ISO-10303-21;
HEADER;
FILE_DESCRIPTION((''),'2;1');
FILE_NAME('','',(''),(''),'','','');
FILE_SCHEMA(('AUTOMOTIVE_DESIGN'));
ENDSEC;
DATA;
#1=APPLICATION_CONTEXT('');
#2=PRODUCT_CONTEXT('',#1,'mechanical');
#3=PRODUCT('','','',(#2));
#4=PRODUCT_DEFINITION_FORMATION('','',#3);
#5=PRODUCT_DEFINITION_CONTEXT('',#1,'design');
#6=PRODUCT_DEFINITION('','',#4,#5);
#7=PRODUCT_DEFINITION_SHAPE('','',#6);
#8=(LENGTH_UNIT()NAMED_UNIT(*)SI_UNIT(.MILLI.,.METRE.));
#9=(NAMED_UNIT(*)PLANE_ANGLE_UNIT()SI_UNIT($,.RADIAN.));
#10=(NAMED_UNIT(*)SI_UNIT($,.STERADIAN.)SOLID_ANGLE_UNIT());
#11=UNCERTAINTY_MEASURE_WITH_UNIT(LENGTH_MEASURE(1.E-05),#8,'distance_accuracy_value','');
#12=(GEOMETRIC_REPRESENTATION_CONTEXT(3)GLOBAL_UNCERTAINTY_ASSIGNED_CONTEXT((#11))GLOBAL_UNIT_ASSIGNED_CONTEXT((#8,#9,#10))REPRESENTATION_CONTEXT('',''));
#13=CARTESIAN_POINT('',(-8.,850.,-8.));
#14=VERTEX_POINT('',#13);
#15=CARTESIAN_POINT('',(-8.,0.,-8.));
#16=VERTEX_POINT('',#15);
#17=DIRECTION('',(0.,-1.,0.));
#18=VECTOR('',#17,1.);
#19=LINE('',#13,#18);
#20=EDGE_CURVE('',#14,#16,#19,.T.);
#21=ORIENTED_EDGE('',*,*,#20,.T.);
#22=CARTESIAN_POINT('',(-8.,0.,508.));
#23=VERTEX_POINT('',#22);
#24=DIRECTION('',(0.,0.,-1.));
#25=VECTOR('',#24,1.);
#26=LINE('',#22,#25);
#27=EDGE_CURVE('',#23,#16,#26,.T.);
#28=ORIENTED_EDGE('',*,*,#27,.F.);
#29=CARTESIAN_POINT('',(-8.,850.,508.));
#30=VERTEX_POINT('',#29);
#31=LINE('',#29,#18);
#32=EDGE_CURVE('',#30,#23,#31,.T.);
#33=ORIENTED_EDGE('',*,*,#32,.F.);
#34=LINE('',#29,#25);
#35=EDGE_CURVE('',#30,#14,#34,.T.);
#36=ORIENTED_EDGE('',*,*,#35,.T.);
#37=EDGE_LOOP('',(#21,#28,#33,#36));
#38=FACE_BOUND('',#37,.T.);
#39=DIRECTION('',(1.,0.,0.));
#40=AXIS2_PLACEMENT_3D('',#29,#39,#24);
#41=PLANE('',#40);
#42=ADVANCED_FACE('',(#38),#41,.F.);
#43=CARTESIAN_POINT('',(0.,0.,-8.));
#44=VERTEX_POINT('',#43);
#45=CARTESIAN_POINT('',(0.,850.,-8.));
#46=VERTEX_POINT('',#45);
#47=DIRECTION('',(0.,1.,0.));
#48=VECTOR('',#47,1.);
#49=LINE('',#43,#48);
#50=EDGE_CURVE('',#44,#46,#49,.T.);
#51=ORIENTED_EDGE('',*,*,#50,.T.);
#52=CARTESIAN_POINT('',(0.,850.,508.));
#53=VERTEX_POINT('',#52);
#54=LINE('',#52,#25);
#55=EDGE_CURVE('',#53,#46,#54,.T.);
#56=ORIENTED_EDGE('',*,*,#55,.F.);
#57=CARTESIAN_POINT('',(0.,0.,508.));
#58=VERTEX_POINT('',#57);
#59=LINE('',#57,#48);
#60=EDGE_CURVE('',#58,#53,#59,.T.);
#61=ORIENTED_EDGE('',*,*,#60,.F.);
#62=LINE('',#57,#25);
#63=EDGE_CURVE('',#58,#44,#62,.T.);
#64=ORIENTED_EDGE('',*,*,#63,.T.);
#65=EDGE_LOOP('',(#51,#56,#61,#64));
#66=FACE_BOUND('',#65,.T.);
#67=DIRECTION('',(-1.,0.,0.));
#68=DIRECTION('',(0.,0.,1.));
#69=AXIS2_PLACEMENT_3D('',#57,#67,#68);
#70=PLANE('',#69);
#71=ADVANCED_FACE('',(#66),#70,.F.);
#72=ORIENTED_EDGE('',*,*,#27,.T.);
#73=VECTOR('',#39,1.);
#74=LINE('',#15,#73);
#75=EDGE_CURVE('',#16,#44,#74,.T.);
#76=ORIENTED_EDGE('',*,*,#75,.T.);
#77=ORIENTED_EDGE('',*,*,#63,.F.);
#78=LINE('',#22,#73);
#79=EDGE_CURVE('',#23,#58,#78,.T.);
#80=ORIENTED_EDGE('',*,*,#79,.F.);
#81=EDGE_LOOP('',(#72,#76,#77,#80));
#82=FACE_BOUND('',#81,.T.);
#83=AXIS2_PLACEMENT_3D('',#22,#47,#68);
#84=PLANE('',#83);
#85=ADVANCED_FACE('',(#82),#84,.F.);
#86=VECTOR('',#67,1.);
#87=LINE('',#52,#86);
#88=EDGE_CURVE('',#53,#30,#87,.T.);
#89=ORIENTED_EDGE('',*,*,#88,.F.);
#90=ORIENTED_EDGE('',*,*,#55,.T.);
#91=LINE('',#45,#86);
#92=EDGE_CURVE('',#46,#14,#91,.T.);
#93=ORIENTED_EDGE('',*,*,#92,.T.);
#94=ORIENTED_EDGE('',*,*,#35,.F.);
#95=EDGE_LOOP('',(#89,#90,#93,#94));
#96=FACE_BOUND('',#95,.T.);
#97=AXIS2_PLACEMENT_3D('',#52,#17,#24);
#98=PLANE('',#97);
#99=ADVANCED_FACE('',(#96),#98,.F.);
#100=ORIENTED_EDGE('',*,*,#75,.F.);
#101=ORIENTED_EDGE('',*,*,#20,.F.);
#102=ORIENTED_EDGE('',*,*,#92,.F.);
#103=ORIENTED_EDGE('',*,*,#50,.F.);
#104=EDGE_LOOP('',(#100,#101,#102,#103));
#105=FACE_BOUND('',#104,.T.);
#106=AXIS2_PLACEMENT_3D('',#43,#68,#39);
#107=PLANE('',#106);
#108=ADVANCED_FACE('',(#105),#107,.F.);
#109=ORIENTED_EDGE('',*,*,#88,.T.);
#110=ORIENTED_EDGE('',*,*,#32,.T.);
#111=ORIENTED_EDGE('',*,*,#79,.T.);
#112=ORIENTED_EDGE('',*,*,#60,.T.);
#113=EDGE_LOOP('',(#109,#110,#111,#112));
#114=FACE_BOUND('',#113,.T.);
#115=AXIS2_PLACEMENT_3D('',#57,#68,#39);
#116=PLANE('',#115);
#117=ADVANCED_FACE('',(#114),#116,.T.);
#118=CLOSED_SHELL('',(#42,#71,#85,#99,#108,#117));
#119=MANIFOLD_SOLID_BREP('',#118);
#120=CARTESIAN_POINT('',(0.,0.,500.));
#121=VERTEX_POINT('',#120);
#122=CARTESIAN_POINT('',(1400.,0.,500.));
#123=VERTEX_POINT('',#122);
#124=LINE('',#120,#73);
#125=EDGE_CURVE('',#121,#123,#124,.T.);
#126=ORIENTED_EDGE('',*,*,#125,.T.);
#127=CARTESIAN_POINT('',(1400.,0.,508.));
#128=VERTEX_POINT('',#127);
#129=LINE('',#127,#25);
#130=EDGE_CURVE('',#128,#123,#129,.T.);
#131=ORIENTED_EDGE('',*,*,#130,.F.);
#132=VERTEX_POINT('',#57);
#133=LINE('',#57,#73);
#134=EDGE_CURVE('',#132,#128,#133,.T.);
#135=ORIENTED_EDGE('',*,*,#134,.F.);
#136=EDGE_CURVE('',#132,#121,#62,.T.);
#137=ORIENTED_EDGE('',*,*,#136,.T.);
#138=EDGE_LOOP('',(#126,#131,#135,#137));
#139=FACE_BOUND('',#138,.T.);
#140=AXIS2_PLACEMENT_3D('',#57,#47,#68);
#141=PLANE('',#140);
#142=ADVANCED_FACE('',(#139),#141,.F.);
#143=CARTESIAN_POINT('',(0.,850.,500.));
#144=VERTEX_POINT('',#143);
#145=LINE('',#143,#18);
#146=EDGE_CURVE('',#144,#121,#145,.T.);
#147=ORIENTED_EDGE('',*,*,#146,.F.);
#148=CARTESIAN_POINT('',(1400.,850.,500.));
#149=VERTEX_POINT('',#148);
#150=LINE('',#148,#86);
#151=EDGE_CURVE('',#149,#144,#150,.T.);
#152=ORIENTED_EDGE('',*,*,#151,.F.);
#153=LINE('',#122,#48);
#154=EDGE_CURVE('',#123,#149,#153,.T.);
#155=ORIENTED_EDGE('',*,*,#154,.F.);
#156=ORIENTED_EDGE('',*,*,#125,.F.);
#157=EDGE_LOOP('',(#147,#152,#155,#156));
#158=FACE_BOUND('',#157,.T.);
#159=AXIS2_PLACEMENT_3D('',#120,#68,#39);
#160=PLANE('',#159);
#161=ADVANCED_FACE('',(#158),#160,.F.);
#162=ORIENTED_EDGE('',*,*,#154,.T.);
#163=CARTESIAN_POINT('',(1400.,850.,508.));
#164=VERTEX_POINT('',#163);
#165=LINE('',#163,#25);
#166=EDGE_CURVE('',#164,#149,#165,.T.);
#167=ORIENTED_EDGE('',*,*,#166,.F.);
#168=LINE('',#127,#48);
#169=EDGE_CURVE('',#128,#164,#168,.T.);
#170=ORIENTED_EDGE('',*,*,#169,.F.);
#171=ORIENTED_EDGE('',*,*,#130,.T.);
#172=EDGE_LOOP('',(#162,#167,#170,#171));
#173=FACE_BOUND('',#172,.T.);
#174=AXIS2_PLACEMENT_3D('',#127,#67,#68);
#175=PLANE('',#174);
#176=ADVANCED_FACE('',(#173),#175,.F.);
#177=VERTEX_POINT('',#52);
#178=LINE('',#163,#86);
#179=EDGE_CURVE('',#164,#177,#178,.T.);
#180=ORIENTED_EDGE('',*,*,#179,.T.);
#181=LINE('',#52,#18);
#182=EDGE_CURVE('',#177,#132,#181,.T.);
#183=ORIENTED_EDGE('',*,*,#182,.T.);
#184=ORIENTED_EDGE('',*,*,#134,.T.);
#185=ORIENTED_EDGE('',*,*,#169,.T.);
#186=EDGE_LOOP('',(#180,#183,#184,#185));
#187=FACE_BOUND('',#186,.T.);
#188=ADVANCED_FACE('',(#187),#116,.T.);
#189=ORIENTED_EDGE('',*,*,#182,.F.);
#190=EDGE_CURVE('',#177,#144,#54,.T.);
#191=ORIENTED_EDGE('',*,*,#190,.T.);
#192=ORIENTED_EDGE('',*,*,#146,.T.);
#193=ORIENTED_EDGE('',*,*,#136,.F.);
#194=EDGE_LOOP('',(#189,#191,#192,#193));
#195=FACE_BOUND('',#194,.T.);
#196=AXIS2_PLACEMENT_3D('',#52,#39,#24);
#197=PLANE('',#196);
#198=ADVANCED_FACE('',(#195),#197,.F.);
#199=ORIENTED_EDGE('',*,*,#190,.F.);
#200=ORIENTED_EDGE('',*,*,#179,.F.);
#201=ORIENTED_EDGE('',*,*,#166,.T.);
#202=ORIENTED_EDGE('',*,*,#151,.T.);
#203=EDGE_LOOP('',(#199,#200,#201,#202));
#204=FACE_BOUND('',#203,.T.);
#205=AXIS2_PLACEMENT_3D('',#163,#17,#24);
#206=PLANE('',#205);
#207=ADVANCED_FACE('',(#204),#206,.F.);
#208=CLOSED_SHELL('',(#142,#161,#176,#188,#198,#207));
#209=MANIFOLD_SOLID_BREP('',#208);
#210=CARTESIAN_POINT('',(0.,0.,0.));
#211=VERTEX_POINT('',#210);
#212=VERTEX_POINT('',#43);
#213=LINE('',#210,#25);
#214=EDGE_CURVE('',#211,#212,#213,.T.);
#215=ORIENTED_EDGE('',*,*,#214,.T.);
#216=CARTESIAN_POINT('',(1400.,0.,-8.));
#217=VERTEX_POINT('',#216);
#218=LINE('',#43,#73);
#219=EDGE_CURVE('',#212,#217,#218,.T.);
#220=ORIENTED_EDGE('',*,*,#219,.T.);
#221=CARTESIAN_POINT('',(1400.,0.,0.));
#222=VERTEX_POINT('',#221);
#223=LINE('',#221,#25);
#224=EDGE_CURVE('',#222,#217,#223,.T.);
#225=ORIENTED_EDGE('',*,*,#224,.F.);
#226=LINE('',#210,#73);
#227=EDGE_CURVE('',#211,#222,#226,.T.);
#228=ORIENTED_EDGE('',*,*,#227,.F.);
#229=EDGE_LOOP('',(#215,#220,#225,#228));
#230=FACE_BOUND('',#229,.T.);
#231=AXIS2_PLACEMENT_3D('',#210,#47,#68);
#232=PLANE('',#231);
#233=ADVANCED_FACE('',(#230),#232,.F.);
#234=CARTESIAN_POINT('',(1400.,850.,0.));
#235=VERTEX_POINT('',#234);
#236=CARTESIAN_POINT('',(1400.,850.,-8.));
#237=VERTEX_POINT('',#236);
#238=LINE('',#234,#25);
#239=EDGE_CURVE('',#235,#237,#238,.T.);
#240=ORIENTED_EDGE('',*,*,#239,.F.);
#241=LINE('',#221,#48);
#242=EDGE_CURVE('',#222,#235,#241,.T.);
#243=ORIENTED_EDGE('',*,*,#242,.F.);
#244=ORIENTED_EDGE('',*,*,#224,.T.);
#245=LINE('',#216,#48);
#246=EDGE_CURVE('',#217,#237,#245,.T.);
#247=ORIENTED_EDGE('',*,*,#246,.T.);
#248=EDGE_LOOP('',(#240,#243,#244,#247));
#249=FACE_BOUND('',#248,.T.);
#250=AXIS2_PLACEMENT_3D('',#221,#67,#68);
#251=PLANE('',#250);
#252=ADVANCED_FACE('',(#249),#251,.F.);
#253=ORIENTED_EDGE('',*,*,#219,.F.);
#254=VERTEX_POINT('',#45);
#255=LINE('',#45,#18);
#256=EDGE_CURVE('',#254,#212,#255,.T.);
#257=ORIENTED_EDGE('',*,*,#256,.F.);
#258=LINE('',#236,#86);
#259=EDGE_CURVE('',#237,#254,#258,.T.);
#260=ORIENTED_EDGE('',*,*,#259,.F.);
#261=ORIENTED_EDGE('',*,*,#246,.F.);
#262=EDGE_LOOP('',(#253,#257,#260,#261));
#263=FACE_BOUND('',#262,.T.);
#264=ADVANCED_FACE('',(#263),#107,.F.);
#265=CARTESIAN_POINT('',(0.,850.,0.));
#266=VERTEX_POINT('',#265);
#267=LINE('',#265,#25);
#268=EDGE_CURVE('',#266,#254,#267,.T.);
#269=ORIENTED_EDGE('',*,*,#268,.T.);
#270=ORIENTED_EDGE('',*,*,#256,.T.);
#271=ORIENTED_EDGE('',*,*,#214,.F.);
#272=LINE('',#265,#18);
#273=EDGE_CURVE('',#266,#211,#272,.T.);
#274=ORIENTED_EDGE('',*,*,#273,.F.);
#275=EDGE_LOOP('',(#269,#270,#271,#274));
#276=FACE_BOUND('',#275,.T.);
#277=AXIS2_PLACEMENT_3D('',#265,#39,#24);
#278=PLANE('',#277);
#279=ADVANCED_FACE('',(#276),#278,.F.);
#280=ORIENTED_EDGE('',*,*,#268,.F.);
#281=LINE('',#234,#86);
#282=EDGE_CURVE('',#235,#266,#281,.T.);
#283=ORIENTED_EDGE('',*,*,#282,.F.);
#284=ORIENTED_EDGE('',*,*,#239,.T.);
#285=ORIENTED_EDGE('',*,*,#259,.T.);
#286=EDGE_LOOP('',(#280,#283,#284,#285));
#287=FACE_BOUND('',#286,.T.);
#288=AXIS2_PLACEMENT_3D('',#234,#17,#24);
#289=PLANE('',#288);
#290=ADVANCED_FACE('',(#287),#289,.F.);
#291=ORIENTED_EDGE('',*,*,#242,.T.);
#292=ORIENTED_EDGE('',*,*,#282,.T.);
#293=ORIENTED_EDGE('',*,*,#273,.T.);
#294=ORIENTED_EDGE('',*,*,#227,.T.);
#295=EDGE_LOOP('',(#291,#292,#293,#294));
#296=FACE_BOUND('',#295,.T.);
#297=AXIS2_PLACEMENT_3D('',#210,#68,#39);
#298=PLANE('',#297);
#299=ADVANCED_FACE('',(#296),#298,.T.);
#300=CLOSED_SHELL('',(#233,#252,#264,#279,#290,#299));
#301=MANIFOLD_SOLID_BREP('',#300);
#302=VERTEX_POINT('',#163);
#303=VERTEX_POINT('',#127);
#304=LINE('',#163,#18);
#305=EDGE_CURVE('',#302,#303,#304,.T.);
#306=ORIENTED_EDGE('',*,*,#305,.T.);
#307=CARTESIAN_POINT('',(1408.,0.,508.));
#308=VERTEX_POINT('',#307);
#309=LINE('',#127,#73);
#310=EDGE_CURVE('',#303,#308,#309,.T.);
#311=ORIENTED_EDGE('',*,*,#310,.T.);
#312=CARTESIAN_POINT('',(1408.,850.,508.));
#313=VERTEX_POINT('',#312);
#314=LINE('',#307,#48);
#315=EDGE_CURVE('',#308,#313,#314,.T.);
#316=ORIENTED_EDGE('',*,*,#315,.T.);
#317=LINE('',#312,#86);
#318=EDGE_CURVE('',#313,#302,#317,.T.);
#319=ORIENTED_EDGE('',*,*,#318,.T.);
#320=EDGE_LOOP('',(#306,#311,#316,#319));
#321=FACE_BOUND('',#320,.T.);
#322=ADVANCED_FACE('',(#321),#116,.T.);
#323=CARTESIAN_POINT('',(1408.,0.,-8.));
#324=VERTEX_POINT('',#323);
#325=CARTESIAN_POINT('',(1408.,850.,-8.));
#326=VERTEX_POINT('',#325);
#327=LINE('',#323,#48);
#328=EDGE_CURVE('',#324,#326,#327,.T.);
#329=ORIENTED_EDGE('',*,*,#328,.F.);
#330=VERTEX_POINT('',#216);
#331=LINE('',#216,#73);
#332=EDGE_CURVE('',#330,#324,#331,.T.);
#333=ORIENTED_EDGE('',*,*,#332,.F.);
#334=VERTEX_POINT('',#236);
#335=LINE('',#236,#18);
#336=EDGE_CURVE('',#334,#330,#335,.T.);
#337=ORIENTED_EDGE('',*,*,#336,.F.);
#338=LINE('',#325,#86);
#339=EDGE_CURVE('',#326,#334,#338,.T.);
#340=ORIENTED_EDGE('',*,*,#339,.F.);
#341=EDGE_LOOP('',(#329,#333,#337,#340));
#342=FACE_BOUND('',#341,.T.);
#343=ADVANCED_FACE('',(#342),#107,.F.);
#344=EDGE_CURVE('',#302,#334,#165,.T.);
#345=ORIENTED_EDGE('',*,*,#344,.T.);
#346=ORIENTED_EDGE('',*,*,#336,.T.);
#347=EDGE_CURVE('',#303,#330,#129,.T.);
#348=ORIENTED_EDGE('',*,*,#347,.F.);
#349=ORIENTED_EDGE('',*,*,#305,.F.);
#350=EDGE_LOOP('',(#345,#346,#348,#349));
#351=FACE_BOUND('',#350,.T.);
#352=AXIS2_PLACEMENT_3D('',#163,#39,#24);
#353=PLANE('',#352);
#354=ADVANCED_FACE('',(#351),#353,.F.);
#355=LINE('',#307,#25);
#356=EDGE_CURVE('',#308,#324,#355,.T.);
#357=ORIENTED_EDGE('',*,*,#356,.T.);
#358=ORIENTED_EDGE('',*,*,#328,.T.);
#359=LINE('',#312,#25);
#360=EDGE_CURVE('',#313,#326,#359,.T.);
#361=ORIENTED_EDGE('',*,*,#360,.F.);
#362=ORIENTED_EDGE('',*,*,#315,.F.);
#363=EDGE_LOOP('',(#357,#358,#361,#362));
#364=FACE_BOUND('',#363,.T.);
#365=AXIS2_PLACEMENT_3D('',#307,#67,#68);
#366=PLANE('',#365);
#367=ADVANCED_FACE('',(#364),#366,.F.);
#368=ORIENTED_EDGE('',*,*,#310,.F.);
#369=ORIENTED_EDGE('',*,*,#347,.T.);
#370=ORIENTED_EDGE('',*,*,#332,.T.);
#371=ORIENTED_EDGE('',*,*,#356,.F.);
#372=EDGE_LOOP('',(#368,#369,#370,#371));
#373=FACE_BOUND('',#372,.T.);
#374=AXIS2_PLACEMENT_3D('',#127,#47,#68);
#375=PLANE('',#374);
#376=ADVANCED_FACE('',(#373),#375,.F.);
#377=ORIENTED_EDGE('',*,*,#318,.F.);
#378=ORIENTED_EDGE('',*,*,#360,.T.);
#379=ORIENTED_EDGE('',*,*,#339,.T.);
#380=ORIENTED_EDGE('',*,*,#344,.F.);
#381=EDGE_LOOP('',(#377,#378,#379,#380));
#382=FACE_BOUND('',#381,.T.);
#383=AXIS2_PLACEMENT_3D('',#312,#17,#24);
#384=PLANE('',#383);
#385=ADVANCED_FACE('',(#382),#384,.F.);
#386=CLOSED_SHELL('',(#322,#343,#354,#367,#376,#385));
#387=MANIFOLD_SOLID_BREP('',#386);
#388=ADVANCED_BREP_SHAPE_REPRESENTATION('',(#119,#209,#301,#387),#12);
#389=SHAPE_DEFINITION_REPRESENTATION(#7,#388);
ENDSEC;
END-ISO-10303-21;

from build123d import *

# Parameters (mm, degrees)
PC_OBSERVATION_WALL_LEFT_T8_START  = -8
SKETCH_1_W                         = 1400
SKETCH_1_H                         = 850
PC_OBSERVATION_WALL_LEFT_T8_DEPTH  = 8
PC_OBSERVATION_WALL_RIGHT_T8_START = 500
SKETCH_2_W                         = 1400
SKETCH_2_H                         = 850
PC_OBSERVATION_WALL_RIGHT_T8_DEPTH = 8
PC_REAR_END_T8_START               = -8
SKETCH_3_W                         = 8
SKETCH_3_H                         = 850
PC_REAR_END_T8_DEPTH               = 516
PC_TOE_END_T8_START                = -8
SKETCH_4_W                         = 8
SKETCH_4_H                         = 850
PC_TOE_END_T8_DEPTH                = 516


with BuildPart() as part:
    # 草图1 → PC_observation_wall_left_t8 (new body)
    with BuildSketch(Plane.XY.offset(PC_OBSERVATION_WALL_LEFT_T8_START)):
        with Locations((700, 425)):
            Rectangle(SKETCH_1_W, SKETCH_1_H)
    extrude(amount=PC_OBSERVATION_WALL_LEFT_T8_DEPTH)


with BuildPart() as body_2:
    # 草图2 → PC_observation_wall_right_t8 (new body)
    with BuildSketch(Plane.XY.offset(PC_OBSERVATION_WALL_RIGHT_T8_START)):
        with Locations((700, 425)):
            Rectangle(SKETCH_2_W, SKETCH_2_H)
    extrude(amount=PC_OBSERVATION_WALL_RIGHT_T8_DEPTH)


with BuildPart() as body_3:
    # 草图3 → PC_rear_end_t8 (new body)
    with BuildSketch(Plane.XY.offset(PC_REAR_END_T8_START)):
        with Locations((-4, 425)):
            Rectangle(SKETCH_3_W, SKETCH_3_H)
    extrude(amount=PC_REAR_END_T8_DEPTH)


with BuildPart() as body_4:
    # 草图4 → PC_toe_end_t8 (new body)
    with BuildSketch(Plane.XY.offset(PC_TOE_END_T8_START)):
        with Locations((1404, 425)):
            Rectangle(SKETCH_4_W, SKETCH_4_H)
    extrude(amount=PC_TOE_END_T8_DEPTH)


solid = Compound([part.part, body_2.part, body_3.part, body_4.part])
